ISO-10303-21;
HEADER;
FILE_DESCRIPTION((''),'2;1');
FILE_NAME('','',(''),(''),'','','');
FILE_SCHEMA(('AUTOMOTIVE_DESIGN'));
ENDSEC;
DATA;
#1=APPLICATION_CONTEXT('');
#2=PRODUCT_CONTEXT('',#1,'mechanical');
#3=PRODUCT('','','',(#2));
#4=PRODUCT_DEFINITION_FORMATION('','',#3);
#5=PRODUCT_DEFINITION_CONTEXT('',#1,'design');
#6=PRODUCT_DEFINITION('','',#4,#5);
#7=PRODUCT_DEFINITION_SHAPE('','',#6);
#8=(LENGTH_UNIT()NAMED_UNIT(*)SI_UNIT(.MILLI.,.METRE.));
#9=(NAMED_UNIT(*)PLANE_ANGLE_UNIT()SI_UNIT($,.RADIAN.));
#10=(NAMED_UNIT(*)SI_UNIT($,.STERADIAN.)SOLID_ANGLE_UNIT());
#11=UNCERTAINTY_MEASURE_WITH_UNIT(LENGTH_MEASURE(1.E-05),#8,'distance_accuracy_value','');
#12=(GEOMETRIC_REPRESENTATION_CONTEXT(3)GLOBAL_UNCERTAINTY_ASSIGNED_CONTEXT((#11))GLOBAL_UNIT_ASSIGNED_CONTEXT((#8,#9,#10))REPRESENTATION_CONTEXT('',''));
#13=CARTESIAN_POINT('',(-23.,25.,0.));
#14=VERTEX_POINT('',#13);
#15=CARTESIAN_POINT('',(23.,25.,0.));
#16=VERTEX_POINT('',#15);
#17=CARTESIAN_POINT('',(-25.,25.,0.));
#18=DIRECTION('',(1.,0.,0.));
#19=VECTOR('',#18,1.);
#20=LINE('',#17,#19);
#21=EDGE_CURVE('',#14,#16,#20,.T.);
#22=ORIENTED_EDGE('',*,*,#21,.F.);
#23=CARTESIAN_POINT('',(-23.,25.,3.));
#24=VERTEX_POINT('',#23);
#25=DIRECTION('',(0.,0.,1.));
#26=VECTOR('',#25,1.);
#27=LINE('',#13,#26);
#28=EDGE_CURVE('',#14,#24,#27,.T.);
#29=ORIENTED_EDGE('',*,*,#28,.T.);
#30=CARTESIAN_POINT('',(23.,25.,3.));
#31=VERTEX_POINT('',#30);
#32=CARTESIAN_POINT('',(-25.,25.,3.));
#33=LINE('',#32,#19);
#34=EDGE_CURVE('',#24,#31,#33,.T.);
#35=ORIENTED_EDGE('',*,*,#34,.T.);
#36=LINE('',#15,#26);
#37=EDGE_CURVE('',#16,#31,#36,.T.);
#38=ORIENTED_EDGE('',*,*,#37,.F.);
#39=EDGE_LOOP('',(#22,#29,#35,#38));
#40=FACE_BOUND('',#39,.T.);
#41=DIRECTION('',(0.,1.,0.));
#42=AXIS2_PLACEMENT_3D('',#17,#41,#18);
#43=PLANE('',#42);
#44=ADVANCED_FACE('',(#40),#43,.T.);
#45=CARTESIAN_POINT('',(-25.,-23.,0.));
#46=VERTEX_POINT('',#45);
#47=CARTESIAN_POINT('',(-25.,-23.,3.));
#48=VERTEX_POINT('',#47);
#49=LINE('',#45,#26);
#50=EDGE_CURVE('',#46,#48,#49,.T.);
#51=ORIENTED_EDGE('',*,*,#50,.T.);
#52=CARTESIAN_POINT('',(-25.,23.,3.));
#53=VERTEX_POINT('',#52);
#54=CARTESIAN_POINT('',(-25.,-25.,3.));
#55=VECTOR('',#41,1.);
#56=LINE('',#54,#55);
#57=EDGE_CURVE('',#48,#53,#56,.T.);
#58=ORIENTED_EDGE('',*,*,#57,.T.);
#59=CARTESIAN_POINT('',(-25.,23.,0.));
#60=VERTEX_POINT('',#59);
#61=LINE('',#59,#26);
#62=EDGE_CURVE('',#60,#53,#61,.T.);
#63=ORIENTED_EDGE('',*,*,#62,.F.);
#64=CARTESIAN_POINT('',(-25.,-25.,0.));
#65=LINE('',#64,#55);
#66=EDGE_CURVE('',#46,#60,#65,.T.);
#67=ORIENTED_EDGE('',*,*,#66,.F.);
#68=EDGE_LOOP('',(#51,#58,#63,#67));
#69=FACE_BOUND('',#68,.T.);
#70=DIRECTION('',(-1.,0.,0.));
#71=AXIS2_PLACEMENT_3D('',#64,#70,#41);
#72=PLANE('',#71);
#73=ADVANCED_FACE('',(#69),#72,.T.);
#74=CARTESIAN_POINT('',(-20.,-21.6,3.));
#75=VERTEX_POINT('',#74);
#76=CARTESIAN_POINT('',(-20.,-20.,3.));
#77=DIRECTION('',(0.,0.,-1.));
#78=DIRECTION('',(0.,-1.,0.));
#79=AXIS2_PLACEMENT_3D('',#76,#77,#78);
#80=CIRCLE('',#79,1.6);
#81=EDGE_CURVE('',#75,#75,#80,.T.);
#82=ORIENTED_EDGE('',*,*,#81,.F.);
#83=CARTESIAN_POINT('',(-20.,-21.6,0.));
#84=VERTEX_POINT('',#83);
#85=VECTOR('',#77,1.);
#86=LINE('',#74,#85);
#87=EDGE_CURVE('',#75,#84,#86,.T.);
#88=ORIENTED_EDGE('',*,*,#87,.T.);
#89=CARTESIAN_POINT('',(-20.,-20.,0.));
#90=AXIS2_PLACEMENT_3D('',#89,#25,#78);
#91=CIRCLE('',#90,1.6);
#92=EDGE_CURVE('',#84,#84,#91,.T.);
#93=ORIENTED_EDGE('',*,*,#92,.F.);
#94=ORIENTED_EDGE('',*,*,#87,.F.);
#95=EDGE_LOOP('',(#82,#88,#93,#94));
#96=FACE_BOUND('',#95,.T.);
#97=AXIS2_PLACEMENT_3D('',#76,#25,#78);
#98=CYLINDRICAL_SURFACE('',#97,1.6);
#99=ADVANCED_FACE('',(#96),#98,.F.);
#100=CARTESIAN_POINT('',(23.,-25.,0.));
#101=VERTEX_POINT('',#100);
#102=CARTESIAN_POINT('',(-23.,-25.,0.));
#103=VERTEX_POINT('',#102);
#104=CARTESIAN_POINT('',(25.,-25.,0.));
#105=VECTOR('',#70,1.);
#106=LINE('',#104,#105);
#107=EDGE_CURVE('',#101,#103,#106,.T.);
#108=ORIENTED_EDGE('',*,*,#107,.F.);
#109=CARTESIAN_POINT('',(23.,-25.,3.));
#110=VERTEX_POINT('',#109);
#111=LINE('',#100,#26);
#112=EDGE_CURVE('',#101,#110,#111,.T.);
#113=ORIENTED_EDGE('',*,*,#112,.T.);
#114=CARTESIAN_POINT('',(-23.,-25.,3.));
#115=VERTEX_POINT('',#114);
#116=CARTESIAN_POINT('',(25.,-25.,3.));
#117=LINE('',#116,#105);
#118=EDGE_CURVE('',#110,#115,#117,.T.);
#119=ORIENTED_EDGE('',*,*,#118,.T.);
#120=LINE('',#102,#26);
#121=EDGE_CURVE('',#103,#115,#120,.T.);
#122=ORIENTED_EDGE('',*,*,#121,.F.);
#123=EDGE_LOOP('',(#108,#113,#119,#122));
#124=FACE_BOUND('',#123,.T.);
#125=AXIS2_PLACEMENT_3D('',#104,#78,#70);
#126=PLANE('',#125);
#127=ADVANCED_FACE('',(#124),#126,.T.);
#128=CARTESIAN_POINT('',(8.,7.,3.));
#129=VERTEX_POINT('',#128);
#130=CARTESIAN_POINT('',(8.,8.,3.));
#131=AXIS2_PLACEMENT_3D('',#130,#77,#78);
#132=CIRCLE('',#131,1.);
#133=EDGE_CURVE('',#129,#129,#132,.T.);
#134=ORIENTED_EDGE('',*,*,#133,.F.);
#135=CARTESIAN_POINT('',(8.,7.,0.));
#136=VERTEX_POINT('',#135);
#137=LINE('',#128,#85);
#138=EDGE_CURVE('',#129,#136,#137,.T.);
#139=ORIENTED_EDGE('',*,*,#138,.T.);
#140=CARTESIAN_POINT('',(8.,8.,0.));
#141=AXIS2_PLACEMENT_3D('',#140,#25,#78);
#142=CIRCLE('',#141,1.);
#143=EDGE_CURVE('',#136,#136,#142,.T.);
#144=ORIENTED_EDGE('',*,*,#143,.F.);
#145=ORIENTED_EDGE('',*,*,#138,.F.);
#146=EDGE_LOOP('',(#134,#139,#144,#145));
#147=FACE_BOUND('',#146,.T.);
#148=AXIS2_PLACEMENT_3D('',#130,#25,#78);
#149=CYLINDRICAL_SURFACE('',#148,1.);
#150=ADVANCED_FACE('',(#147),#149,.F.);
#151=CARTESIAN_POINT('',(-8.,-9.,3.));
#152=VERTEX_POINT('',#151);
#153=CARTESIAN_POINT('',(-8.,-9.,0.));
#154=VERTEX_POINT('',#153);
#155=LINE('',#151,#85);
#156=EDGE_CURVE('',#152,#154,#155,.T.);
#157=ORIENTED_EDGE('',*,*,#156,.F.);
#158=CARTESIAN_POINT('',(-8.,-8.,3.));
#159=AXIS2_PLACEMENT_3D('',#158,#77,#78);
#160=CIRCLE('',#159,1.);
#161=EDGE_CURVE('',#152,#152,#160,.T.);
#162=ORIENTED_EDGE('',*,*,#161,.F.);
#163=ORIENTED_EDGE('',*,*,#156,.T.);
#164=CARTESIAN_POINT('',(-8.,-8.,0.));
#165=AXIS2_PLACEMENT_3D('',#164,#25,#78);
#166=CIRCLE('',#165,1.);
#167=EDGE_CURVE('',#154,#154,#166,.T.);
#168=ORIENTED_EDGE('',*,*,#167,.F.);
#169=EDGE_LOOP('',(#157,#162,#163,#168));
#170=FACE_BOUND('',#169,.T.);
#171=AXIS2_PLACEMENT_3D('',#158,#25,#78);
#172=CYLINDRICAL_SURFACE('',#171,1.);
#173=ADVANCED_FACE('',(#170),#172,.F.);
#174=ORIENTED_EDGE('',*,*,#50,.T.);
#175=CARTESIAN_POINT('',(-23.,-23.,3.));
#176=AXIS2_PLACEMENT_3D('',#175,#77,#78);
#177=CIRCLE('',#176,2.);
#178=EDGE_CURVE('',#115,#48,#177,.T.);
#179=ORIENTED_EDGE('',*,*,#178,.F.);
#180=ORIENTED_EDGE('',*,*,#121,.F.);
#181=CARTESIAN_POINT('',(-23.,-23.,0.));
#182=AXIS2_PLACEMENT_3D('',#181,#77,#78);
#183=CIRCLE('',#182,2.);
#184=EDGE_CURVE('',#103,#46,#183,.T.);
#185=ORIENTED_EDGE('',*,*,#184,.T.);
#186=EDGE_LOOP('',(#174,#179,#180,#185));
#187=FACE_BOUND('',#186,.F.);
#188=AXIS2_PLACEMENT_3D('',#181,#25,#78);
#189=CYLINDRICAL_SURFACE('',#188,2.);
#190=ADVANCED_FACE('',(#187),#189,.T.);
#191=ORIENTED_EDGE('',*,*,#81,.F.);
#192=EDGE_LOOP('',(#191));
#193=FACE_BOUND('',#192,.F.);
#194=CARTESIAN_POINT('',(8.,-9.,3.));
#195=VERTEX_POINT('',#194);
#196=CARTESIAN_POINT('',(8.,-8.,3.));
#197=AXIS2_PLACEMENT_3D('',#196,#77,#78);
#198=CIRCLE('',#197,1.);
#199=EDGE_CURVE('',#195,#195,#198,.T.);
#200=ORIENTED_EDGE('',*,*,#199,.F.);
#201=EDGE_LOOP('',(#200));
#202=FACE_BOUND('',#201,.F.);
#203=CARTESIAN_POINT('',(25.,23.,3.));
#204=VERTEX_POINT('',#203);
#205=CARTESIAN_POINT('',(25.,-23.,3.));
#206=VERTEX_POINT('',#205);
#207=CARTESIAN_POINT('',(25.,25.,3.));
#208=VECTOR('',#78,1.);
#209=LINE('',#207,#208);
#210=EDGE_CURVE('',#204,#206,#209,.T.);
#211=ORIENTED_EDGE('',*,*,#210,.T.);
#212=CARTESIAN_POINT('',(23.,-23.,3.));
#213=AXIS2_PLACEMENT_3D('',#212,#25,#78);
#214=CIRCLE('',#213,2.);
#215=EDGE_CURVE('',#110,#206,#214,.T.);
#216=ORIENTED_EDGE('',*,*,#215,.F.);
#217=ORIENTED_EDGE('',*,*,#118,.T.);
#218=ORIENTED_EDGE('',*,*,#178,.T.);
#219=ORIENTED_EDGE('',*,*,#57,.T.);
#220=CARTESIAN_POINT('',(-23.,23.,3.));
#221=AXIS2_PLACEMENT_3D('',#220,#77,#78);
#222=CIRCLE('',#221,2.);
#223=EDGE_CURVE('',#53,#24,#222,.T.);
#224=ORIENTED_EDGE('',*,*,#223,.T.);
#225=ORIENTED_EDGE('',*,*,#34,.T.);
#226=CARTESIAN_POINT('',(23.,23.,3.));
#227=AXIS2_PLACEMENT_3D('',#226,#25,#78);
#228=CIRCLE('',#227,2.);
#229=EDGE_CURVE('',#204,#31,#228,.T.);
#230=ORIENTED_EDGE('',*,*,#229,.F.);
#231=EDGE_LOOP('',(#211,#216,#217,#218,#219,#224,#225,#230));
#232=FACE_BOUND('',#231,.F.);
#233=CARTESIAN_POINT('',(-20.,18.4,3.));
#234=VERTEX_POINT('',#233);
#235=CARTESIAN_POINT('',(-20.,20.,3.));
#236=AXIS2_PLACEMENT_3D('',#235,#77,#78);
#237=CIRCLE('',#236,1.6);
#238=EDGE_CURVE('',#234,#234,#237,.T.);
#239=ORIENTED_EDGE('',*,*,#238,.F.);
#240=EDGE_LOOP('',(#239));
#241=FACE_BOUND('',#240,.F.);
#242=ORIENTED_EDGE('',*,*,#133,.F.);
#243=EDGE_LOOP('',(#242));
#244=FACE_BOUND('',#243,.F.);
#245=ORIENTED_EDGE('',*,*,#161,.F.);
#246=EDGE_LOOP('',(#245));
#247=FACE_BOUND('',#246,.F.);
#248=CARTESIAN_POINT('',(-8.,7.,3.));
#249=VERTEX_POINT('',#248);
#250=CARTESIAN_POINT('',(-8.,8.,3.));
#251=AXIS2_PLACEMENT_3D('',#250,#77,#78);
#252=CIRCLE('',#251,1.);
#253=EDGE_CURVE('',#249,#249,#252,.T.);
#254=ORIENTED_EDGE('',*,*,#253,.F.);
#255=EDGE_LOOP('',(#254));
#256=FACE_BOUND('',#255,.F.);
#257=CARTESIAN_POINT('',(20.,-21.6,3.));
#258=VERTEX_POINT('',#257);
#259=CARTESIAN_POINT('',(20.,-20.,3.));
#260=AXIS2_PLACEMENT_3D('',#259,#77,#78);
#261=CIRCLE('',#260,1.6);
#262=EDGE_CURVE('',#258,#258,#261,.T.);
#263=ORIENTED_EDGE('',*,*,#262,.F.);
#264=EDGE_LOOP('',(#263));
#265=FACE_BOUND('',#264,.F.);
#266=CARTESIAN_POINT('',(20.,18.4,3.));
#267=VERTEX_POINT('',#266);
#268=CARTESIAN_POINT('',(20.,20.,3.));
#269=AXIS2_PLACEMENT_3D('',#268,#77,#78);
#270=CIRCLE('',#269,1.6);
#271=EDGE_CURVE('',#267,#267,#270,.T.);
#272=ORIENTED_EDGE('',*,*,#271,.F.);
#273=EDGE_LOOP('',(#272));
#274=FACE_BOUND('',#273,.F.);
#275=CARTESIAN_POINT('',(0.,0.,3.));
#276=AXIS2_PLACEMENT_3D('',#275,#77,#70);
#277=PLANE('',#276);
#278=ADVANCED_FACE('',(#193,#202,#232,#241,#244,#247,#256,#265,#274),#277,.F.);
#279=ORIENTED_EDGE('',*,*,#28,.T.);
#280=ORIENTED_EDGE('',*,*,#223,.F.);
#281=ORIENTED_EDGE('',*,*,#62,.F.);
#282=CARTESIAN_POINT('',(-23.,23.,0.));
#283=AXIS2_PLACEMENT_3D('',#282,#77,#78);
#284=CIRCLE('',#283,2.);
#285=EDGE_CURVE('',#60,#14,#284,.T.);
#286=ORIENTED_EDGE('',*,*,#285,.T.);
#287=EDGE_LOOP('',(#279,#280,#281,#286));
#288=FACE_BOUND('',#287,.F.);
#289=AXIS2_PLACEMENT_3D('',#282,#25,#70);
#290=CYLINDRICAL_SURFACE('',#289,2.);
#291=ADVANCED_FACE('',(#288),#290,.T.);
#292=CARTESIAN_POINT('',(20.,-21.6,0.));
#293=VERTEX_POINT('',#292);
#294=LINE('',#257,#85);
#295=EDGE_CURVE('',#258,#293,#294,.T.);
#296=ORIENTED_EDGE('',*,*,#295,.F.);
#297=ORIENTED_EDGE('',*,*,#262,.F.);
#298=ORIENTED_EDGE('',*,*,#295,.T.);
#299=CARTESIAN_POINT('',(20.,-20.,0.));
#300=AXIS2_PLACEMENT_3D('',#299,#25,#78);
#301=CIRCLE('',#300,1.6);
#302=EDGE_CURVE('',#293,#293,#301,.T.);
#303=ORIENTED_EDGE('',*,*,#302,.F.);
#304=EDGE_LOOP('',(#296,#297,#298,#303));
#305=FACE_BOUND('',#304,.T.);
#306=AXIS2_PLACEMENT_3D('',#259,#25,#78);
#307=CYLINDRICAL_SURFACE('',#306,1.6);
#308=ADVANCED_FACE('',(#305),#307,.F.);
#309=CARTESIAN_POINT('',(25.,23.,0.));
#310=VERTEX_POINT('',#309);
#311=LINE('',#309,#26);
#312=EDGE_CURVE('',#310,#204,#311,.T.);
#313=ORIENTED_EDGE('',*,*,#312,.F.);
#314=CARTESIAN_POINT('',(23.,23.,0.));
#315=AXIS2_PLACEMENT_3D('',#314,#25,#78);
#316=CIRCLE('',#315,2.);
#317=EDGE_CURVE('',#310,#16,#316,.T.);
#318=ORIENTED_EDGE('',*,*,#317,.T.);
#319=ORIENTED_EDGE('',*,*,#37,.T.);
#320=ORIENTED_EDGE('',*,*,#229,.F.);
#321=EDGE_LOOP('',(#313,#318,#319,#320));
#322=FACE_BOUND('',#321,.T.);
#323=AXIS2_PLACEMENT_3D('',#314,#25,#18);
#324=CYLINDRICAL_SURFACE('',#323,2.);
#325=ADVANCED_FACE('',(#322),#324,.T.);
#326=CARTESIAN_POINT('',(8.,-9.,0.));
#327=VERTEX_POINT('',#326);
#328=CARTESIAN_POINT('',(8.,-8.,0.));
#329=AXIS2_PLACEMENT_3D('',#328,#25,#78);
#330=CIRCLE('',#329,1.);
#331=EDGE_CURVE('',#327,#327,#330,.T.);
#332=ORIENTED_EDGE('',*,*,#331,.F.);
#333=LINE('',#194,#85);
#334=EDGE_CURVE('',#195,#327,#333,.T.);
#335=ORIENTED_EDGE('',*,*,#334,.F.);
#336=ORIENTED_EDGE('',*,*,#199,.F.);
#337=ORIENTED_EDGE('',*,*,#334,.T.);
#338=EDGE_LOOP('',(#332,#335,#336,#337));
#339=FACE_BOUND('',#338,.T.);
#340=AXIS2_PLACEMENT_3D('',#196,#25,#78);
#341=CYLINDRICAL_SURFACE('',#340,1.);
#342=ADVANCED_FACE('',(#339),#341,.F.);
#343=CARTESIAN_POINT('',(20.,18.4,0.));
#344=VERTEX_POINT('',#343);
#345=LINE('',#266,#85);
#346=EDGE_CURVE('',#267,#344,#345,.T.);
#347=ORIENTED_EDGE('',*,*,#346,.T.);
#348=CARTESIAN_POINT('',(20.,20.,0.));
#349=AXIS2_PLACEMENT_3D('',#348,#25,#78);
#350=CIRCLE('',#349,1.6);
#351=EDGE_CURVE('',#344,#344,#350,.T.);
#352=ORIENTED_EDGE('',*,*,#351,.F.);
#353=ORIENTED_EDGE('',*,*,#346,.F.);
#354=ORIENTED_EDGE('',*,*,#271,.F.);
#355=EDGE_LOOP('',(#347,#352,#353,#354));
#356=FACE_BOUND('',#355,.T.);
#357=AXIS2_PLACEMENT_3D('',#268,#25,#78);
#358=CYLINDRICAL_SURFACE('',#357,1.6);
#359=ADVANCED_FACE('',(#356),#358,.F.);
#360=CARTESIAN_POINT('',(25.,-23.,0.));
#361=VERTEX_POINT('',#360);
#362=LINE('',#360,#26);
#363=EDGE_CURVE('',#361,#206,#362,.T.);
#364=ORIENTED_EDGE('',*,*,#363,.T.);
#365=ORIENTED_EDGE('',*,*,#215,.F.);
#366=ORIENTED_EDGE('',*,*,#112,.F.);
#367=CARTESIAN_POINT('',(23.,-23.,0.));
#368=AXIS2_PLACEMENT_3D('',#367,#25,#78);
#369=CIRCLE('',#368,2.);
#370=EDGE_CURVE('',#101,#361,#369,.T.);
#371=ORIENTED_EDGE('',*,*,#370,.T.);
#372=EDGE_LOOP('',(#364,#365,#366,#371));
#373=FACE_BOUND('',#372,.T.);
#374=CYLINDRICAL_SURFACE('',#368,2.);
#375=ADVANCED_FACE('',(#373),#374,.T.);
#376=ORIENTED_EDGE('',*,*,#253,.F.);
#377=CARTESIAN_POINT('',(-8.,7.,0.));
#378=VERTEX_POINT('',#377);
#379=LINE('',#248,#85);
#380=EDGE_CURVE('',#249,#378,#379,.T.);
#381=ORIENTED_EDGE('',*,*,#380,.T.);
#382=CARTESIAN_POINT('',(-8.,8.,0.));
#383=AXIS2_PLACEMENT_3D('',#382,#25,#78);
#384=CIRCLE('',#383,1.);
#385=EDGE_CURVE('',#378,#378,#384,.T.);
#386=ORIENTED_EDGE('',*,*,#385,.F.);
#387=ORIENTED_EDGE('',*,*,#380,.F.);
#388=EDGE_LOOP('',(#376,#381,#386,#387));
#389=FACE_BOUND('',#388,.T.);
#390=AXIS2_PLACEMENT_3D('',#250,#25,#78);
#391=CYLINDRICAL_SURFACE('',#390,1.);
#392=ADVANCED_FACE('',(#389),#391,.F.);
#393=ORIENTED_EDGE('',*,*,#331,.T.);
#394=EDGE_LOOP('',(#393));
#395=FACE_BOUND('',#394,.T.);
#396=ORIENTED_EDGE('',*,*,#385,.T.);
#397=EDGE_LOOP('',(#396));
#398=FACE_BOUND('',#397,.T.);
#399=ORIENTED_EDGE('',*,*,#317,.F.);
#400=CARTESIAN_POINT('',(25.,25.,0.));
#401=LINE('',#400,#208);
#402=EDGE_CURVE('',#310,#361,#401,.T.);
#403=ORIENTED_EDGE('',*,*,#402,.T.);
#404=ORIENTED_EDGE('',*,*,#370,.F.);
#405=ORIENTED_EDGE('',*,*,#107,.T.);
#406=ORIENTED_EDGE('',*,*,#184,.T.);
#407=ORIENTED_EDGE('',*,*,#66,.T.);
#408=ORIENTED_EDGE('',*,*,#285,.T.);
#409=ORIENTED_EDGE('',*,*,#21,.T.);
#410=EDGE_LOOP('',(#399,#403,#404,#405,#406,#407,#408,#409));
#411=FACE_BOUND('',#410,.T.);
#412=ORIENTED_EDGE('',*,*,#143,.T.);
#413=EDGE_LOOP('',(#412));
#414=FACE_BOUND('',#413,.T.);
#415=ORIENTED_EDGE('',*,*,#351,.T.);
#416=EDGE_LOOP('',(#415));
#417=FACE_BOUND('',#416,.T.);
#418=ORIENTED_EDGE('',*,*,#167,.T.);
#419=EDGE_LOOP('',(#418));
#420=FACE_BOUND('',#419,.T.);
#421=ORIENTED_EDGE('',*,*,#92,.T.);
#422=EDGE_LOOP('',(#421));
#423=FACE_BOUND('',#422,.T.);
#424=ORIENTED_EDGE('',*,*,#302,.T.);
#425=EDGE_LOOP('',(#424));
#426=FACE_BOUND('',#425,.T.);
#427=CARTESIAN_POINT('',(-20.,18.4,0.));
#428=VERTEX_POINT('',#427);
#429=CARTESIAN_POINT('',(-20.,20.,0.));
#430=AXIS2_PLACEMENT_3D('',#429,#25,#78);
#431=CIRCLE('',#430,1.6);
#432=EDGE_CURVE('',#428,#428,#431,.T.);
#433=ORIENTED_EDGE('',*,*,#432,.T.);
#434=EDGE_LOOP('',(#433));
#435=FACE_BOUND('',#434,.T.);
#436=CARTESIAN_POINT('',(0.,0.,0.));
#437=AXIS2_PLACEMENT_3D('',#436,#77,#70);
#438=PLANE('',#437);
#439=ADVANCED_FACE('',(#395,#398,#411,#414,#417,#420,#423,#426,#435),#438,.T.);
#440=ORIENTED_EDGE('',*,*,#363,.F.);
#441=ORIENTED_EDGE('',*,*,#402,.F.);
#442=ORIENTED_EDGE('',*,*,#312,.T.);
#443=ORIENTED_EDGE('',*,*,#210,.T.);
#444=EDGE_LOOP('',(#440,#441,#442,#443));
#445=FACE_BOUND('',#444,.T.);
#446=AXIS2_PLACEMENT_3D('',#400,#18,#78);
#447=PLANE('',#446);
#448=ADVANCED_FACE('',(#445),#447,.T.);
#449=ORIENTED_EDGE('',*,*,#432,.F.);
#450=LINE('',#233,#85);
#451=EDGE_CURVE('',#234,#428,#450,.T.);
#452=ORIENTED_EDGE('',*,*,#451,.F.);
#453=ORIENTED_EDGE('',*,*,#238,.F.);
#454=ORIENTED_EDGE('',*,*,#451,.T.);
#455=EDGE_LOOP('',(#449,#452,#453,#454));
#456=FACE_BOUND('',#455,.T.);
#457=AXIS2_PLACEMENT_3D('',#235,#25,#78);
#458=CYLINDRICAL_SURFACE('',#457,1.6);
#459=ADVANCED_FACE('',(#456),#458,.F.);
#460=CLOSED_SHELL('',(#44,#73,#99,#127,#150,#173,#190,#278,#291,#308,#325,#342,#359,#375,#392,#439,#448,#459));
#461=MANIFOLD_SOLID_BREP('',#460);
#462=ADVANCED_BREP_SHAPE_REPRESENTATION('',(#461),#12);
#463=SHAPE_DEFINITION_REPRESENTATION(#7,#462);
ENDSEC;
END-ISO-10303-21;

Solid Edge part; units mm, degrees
sketch "Sketch1" plane through (0, 0, 0) normal (0, 0, 1) x (1, 0, 0)
  line L0 (25, -25) -> (-25, -25)
  line L1 (-25, -25) -> (-25, 25)
  line L2 (-25, 25) -> (25, 25)
  line L3 (25, 25) -> (25, -25)
  dimension "D1" = 50
  dimension "D2" = 50
extrude "Protrusion1" add sketch "Sketch1" along normal blind 3
hole "Hole_1" at (-8, 8, 3) direction (0, 0, -1) diameter 2 end through all
hole "Hole1" at (-8, -8, 3) direction (0, 0, -1) diameter 2 end through all
hole "Hole2" at (8, -8, 3) direction (0, 0, -1) diameter 2 end through all
hole "Hole3" at (8, 8, 3) direction (0, 0, -1) diameter 2 end through all
hole "Hole_5" at (20, 20, 3) direction (0, 0, -1) diameter 3.2 end through all
hole "Hole4" at (20, -20, 3) direction (0, 0, -1) diameter 3.2 end through all
hole "Hole5" at (-20, -20, 3) direction (0, 0, -1) diameter 3.2 end through all
hole "Hole6" at (-20, 20, 3) direction (0, 0, -1) diameter 3.2 end through all
fillet "Round_1" radius 2 4 edges at (-25, -25, 1.5) (25, -25, 1.5) (-25, 25, 1.5) (25, 25, 1.5)
properties material "木材, アッシュ"
